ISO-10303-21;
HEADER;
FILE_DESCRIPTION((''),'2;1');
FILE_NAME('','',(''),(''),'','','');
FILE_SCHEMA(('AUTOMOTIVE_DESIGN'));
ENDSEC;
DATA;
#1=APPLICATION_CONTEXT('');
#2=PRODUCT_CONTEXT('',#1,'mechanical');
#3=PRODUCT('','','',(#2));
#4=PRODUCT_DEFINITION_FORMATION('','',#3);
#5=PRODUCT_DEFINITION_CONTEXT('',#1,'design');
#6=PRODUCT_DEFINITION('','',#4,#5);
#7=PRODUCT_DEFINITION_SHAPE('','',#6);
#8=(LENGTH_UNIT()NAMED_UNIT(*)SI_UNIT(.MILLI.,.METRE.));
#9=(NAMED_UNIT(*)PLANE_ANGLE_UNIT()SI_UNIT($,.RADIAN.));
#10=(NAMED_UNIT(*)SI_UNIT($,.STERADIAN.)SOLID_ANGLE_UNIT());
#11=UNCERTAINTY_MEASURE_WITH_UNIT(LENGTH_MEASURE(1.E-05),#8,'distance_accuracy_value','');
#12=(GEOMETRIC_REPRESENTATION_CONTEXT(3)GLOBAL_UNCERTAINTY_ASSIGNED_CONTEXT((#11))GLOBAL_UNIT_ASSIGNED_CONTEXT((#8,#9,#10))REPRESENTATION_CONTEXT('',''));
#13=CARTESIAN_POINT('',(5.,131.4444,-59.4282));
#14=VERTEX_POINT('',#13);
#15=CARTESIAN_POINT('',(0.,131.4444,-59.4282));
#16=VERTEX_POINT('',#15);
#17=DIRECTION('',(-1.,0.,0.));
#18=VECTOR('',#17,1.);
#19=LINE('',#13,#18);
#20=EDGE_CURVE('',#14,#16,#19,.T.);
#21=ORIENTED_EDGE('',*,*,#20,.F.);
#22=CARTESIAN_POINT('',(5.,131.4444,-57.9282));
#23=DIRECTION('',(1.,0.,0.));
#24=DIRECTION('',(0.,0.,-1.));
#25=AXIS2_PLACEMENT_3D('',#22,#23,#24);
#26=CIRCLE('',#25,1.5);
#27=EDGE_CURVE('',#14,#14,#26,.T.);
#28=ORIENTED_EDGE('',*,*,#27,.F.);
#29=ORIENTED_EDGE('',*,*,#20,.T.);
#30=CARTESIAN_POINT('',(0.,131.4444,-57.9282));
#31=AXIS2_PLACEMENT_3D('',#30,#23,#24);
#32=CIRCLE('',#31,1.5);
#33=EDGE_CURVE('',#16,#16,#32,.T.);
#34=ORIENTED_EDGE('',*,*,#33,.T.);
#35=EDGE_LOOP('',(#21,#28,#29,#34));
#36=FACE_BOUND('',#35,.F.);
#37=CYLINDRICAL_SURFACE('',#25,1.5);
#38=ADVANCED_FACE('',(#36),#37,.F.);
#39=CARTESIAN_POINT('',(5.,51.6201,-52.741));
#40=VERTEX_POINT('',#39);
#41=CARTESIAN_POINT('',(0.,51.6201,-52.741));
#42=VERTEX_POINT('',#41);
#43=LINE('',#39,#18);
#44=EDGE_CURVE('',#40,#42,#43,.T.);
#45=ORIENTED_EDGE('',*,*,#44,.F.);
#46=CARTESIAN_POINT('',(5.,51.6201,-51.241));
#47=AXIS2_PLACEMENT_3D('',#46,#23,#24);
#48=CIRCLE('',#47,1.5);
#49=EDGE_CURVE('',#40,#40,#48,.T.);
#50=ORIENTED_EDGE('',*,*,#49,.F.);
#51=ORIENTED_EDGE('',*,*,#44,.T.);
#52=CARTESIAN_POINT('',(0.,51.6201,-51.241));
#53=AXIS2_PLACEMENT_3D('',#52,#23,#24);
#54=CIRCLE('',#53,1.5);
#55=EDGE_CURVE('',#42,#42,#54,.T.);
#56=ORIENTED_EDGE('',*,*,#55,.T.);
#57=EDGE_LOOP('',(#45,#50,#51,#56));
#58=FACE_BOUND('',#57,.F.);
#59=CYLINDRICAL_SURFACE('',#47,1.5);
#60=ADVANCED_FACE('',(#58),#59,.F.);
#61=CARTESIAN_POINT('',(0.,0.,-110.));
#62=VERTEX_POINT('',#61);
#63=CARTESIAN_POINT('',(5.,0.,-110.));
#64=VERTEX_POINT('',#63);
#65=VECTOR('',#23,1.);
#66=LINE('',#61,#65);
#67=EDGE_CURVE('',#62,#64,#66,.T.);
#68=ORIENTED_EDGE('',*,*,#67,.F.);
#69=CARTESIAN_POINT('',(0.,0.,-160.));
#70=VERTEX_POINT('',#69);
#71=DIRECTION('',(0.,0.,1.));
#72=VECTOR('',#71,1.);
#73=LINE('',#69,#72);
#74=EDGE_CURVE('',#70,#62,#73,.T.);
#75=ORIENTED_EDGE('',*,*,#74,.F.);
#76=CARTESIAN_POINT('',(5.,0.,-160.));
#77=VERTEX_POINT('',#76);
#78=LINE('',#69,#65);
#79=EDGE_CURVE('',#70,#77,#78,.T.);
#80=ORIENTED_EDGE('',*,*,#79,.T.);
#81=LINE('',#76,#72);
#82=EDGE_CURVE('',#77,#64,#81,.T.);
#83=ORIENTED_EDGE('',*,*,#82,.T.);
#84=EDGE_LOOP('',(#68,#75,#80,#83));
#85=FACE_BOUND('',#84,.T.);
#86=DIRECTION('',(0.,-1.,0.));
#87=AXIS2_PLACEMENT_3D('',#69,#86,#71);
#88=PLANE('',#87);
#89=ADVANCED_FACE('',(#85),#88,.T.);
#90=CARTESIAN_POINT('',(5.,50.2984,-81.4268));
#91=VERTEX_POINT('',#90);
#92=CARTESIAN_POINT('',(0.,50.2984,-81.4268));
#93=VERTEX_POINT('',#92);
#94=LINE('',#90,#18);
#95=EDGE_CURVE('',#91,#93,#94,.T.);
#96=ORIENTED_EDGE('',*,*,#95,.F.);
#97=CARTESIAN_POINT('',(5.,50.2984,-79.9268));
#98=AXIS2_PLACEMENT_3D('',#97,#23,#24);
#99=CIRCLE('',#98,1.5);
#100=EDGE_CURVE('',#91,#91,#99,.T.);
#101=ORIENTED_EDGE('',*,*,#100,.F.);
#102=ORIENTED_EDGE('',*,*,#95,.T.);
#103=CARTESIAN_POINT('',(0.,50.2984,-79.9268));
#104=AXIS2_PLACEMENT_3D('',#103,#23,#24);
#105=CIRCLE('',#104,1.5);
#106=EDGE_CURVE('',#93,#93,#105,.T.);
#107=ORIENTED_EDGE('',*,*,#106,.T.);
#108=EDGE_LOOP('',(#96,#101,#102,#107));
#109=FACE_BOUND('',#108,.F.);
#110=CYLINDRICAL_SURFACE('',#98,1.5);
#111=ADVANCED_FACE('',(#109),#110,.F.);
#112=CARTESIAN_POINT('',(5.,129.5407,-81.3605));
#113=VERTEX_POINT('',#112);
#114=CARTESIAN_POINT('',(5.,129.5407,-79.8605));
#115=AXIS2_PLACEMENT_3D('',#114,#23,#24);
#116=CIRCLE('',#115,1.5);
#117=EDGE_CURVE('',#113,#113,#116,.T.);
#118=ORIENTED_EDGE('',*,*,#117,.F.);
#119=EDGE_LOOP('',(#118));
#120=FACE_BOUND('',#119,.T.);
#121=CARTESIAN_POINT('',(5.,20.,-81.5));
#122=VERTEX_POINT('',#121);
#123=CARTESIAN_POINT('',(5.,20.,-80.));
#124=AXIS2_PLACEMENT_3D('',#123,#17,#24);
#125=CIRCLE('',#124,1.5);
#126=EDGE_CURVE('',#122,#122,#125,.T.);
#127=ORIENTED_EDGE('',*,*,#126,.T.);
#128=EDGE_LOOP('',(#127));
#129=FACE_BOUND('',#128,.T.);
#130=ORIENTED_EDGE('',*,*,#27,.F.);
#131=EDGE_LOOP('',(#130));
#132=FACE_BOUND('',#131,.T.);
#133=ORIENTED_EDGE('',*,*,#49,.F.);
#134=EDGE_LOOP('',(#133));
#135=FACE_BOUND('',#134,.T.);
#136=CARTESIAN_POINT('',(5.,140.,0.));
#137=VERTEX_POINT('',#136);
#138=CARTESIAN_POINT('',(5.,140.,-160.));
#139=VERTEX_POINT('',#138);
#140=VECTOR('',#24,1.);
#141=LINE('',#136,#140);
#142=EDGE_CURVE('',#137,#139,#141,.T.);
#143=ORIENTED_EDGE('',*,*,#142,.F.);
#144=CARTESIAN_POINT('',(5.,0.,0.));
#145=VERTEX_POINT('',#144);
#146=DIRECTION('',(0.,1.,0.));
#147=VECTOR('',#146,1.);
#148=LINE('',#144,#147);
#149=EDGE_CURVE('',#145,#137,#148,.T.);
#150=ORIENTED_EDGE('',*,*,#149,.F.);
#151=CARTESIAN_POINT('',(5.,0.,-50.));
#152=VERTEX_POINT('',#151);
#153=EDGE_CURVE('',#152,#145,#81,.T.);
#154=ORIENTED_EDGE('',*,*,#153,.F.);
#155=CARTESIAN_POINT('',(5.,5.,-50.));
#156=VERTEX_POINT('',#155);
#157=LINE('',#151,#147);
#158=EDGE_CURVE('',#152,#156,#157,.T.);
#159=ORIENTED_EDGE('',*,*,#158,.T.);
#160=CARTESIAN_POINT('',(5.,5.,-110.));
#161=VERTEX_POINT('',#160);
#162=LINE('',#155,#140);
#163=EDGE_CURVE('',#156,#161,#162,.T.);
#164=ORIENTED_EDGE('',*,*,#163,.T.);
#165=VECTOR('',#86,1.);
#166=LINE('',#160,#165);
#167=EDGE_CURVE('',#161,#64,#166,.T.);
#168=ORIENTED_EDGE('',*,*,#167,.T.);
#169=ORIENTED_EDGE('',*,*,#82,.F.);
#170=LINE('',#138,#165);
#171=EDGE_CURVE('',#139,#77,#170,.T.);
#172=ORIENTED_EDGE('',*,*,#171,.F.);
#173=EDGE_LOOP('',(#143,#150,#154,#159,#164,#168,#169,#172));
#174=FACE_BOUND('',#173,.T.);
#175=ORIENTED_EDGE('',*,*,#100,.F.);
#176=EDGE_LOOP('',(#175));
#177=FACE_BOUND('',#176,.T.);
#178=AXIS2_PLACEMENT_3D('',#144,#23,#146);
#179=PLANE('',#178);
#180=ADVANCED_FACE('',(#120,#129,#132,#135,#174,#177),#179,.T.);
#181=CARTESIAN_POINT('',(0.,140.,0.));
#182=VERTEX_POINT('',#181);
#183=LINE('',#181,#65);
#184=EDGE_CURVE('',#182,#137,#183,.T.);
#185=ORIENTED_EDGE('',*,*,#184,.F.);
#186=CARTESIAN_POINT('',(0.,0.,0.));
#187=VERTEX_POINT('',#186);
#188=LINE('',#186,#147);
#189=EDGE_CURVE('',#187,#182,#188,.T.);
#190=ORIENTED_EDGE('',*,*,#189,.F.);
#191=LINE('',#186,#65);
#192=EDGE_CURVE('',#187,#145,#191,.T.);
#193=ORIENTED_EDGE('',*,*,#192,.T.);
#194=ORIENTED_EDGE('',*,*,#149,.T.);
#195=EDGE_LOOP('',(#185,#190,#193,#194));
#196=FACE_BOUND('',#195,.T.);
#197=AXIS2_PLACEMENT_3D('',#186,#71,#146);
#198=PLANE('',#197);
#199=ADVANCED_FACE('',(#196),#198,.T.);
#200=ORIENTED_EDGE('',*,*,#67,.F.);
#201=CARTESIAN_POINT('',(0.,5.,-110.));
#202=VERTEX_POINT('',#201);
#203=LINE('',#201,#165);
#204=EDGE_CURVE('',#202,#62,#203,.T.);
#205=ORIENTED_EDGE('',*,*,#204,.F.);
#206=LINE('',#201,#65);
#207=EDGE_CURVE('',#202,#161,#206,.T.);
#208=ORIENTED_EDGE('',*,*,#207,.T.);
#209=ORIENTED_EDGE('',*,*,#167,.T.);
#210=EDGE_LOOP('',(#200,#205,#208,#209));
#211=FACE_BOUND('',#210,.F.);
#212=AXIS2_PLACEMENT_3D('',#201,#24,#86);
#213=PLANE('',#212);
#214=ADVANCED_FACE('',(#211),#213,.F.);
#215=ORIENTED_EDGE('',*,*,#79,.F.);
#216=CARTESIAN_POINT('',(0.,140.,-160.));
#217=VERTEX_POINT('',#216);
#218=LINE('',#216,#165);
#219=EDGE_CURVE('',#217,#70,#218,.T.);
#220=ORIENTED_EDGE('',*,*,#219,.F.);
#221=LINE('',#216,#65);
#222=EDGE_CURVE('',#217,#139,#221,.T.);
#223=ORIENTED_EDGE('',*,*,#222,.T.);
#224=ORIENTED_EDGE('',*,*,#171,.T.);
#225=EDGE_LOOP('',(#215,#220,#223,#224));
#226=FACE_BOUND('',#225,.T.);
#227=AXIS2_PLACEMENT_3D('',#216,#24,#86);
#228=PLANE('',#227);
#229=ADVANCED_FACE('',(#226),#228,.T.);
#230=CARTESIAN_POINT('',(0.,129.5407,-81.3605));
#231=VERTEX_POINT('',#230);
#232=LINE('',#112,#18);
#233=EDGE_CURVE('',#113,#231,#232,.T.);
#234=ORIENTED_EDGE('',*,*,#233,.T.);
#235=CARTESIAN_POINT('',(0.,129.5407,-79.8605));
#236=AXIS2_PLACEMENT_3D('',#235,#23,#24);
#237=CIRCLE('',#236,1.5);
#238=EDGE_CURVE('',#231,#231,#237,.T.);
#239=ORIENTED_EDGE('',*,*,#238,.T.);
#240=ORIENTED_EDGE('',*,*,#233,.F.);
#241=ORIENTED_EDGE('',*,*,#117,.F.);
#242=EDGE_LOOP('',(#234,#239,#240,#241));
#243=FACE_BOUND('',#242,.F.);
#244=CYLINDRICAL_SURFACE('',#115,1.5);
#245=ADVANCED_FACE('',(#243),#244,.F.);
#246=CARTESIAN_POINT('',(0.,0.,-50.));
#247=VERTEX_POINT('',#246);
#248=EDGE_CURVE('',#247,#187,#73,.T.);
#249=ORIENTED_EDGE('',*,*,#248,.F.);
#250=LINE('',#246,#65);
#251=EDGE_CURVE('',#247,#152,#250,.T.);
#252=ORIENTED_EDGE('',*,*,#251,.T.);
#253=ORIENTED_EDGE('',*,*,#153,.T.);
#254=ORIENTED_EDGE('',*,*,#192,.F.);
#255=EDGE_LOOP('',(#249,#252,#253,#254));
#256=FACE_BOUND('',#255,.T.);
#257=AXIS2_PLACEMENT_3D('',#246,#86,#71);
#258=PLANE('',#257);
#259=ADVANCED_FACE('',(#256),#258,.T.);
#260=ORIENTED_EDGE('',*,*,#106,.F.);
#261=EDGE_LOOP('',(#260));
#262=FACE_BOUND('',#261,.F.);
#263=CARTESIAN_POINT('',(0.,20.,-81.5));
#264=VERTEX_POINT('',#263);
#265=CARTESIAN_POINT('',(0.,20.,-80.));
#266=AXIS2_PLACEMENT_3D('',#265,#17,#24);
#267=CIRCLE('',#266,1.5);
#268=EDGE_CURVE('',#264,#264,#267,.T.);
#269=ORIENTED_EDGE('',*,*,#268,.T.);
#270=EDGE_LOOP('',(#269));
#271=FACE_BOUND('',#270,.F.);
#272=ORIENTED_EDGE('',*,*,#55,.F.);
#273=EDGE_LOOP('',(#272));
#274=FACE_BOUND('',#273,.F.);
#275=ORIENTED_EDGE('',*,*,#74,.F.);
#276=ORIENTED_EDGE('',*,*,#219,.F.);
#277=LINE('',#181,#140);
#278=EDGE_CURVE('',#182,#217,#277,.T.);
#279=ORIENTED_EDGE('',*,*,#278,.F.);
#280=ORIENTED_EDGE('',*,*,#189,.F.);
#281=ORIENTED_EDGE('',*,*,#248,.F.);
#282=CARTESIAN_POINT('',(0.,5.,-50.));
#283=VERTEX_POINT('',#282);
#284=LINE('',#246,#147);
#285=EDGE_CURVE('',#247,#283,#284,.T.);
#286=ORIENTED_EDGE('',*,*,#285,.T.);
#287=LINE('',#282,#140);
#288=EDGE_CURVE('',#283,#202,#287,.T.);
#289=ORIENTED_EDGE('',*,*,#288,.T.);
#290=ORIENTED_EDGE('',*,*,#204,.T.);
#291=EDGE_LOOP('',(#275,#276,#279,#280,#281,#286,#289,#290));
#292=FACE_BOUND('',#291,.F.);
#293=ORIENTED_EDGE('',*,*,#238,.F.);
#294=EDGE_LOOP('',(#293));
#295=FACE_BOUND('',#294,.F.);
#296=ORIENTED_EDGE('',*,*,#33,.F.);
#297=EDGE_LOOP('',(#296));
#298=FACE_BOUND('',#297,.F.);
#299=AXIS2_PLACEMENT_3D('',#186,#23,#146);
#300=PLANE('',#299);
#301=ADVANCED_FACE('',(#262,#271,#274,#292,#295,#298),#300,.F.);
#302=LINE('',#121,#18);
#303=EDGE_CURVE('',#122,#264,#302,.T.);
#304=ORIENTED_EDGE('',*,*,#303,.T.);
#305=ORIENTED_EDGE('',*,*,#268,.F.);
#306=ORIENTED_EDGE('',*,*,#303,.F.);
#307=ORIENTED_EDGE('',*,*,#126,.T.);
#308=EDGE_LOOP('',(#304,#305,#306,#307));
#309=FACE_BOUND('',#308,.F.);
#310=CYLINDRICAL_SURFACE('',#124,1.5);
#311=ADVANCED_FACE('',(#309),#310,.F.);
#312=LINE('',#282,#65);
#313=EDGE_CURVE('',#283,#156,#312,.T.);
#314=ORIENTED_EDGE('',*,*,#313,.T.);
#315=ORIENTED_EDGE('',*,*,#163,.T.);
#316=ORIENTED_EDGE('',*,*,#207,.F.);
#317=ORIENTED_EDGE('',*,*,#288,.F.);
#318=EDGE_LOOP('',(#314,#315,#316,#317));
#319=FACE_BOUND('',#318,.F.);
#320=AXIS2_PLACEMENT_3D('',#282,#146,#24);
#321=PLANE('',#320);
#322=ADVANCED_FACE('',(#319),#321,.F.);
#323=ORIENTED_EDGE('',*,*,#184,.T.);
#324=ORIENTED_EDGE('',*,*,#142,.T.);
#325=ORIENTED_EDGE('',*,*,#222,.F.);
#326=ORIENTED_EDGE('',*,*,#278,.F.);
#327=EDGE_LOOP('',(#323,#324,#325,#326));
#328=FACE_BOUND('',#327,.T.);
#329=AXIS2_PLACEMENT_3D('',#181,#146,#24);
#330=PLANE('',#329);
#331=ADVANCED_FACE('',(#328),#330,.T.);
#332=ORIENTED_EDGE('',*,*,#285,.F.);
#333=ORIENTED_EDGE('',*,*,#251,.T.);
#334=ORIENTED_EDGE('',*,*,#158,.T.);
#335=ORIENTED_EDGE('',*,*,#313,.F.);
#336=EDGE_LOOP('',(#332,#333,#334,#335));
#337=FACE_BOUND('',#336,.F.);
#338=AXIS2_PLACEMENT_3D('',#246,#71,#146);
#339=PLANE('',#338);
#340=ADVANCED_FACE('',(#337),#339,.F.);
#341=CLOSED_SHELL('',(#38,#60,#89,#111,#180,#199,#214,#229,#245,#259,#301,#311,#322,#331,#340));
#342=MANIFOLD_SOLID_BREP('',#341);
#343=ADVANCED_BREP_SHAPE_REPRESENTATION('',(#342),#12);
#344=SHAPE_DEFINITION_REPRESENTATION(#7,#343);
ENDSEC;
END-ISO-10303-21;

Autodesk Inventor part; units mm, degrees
ref_plane "YZ Plane" through (0, 0, 0) normal (1, 0, 0) x (0, 1, 0)
ref_plane "XZ Plane" through (0, 0, 0) normal (0, 1, 0) x (-1, 0, 0)
ref_plane "XY Plane" through (0, 0, 0) normal (0, 0, 1) x (1, 0, 0)
sketch "Sketch1" plane through (0, 0, 0) normal (1, 0, 0) x (0, 1, 0)
  line L0 (0, 0) -> (140, 0)
  line L1 (140, 0) -> (140, -160)
  line L2 (140, -160) -> (0, -160)
  line L3 (0, -160) -> (0, 0)
  line L4 (0, -50) -> (5, -50)
  line L5 (5, -50) -> (5, -110)
  line L6 (5, -110) -> (0, -110)
  line L7 (0, -110) -> (0, -50)
  point P0 (0, -110)
  dimension "d0" = 140
  dimension "d1" = 160
  dimension "d2" = 5
  dimension "d3" = 60
  dimension "d4" = 50
extrude "Extrusion1" add sketch "Sketch1" along normal blind 5 contours L0 L1 L2 L3 L6 L5 L4
sketch "Sketch2" plane through (5, 0, 0) normal (1, 0, 0) x (0, 0, -1)
  line L0 (0, 0) -> (50, 0) projected
  line L1 (50, 0) -> (50, 5) projected
  point P0 (80, 20)
  dimension "d14" = 20
  dimension "d15" = 30
hole "Hole1" at (5, 20, -80) direction (-1, 0, 0) diameter 3 end through all
sketch "Sketch11" plane through (5, 0, 0) normal (1, 0, 0) x (0, 0, -1)
  circle A0 centre (57.9282, 131.4444) radius 1.5 projected
  circle A1 centre (79.8605, 129.5407) radius 1.5 projected
  circle A2 centre (51.241, 51.6201) radius 1.5 projected
  circle A3 centre (79.9268, 50.2984) radius 1.5 projected
  point P0 (0, 0)
extrude "Extrusion4" cut sketch "Sketch11" against normal blind 10
properties part number "TOP_1" material "Acrylic"
